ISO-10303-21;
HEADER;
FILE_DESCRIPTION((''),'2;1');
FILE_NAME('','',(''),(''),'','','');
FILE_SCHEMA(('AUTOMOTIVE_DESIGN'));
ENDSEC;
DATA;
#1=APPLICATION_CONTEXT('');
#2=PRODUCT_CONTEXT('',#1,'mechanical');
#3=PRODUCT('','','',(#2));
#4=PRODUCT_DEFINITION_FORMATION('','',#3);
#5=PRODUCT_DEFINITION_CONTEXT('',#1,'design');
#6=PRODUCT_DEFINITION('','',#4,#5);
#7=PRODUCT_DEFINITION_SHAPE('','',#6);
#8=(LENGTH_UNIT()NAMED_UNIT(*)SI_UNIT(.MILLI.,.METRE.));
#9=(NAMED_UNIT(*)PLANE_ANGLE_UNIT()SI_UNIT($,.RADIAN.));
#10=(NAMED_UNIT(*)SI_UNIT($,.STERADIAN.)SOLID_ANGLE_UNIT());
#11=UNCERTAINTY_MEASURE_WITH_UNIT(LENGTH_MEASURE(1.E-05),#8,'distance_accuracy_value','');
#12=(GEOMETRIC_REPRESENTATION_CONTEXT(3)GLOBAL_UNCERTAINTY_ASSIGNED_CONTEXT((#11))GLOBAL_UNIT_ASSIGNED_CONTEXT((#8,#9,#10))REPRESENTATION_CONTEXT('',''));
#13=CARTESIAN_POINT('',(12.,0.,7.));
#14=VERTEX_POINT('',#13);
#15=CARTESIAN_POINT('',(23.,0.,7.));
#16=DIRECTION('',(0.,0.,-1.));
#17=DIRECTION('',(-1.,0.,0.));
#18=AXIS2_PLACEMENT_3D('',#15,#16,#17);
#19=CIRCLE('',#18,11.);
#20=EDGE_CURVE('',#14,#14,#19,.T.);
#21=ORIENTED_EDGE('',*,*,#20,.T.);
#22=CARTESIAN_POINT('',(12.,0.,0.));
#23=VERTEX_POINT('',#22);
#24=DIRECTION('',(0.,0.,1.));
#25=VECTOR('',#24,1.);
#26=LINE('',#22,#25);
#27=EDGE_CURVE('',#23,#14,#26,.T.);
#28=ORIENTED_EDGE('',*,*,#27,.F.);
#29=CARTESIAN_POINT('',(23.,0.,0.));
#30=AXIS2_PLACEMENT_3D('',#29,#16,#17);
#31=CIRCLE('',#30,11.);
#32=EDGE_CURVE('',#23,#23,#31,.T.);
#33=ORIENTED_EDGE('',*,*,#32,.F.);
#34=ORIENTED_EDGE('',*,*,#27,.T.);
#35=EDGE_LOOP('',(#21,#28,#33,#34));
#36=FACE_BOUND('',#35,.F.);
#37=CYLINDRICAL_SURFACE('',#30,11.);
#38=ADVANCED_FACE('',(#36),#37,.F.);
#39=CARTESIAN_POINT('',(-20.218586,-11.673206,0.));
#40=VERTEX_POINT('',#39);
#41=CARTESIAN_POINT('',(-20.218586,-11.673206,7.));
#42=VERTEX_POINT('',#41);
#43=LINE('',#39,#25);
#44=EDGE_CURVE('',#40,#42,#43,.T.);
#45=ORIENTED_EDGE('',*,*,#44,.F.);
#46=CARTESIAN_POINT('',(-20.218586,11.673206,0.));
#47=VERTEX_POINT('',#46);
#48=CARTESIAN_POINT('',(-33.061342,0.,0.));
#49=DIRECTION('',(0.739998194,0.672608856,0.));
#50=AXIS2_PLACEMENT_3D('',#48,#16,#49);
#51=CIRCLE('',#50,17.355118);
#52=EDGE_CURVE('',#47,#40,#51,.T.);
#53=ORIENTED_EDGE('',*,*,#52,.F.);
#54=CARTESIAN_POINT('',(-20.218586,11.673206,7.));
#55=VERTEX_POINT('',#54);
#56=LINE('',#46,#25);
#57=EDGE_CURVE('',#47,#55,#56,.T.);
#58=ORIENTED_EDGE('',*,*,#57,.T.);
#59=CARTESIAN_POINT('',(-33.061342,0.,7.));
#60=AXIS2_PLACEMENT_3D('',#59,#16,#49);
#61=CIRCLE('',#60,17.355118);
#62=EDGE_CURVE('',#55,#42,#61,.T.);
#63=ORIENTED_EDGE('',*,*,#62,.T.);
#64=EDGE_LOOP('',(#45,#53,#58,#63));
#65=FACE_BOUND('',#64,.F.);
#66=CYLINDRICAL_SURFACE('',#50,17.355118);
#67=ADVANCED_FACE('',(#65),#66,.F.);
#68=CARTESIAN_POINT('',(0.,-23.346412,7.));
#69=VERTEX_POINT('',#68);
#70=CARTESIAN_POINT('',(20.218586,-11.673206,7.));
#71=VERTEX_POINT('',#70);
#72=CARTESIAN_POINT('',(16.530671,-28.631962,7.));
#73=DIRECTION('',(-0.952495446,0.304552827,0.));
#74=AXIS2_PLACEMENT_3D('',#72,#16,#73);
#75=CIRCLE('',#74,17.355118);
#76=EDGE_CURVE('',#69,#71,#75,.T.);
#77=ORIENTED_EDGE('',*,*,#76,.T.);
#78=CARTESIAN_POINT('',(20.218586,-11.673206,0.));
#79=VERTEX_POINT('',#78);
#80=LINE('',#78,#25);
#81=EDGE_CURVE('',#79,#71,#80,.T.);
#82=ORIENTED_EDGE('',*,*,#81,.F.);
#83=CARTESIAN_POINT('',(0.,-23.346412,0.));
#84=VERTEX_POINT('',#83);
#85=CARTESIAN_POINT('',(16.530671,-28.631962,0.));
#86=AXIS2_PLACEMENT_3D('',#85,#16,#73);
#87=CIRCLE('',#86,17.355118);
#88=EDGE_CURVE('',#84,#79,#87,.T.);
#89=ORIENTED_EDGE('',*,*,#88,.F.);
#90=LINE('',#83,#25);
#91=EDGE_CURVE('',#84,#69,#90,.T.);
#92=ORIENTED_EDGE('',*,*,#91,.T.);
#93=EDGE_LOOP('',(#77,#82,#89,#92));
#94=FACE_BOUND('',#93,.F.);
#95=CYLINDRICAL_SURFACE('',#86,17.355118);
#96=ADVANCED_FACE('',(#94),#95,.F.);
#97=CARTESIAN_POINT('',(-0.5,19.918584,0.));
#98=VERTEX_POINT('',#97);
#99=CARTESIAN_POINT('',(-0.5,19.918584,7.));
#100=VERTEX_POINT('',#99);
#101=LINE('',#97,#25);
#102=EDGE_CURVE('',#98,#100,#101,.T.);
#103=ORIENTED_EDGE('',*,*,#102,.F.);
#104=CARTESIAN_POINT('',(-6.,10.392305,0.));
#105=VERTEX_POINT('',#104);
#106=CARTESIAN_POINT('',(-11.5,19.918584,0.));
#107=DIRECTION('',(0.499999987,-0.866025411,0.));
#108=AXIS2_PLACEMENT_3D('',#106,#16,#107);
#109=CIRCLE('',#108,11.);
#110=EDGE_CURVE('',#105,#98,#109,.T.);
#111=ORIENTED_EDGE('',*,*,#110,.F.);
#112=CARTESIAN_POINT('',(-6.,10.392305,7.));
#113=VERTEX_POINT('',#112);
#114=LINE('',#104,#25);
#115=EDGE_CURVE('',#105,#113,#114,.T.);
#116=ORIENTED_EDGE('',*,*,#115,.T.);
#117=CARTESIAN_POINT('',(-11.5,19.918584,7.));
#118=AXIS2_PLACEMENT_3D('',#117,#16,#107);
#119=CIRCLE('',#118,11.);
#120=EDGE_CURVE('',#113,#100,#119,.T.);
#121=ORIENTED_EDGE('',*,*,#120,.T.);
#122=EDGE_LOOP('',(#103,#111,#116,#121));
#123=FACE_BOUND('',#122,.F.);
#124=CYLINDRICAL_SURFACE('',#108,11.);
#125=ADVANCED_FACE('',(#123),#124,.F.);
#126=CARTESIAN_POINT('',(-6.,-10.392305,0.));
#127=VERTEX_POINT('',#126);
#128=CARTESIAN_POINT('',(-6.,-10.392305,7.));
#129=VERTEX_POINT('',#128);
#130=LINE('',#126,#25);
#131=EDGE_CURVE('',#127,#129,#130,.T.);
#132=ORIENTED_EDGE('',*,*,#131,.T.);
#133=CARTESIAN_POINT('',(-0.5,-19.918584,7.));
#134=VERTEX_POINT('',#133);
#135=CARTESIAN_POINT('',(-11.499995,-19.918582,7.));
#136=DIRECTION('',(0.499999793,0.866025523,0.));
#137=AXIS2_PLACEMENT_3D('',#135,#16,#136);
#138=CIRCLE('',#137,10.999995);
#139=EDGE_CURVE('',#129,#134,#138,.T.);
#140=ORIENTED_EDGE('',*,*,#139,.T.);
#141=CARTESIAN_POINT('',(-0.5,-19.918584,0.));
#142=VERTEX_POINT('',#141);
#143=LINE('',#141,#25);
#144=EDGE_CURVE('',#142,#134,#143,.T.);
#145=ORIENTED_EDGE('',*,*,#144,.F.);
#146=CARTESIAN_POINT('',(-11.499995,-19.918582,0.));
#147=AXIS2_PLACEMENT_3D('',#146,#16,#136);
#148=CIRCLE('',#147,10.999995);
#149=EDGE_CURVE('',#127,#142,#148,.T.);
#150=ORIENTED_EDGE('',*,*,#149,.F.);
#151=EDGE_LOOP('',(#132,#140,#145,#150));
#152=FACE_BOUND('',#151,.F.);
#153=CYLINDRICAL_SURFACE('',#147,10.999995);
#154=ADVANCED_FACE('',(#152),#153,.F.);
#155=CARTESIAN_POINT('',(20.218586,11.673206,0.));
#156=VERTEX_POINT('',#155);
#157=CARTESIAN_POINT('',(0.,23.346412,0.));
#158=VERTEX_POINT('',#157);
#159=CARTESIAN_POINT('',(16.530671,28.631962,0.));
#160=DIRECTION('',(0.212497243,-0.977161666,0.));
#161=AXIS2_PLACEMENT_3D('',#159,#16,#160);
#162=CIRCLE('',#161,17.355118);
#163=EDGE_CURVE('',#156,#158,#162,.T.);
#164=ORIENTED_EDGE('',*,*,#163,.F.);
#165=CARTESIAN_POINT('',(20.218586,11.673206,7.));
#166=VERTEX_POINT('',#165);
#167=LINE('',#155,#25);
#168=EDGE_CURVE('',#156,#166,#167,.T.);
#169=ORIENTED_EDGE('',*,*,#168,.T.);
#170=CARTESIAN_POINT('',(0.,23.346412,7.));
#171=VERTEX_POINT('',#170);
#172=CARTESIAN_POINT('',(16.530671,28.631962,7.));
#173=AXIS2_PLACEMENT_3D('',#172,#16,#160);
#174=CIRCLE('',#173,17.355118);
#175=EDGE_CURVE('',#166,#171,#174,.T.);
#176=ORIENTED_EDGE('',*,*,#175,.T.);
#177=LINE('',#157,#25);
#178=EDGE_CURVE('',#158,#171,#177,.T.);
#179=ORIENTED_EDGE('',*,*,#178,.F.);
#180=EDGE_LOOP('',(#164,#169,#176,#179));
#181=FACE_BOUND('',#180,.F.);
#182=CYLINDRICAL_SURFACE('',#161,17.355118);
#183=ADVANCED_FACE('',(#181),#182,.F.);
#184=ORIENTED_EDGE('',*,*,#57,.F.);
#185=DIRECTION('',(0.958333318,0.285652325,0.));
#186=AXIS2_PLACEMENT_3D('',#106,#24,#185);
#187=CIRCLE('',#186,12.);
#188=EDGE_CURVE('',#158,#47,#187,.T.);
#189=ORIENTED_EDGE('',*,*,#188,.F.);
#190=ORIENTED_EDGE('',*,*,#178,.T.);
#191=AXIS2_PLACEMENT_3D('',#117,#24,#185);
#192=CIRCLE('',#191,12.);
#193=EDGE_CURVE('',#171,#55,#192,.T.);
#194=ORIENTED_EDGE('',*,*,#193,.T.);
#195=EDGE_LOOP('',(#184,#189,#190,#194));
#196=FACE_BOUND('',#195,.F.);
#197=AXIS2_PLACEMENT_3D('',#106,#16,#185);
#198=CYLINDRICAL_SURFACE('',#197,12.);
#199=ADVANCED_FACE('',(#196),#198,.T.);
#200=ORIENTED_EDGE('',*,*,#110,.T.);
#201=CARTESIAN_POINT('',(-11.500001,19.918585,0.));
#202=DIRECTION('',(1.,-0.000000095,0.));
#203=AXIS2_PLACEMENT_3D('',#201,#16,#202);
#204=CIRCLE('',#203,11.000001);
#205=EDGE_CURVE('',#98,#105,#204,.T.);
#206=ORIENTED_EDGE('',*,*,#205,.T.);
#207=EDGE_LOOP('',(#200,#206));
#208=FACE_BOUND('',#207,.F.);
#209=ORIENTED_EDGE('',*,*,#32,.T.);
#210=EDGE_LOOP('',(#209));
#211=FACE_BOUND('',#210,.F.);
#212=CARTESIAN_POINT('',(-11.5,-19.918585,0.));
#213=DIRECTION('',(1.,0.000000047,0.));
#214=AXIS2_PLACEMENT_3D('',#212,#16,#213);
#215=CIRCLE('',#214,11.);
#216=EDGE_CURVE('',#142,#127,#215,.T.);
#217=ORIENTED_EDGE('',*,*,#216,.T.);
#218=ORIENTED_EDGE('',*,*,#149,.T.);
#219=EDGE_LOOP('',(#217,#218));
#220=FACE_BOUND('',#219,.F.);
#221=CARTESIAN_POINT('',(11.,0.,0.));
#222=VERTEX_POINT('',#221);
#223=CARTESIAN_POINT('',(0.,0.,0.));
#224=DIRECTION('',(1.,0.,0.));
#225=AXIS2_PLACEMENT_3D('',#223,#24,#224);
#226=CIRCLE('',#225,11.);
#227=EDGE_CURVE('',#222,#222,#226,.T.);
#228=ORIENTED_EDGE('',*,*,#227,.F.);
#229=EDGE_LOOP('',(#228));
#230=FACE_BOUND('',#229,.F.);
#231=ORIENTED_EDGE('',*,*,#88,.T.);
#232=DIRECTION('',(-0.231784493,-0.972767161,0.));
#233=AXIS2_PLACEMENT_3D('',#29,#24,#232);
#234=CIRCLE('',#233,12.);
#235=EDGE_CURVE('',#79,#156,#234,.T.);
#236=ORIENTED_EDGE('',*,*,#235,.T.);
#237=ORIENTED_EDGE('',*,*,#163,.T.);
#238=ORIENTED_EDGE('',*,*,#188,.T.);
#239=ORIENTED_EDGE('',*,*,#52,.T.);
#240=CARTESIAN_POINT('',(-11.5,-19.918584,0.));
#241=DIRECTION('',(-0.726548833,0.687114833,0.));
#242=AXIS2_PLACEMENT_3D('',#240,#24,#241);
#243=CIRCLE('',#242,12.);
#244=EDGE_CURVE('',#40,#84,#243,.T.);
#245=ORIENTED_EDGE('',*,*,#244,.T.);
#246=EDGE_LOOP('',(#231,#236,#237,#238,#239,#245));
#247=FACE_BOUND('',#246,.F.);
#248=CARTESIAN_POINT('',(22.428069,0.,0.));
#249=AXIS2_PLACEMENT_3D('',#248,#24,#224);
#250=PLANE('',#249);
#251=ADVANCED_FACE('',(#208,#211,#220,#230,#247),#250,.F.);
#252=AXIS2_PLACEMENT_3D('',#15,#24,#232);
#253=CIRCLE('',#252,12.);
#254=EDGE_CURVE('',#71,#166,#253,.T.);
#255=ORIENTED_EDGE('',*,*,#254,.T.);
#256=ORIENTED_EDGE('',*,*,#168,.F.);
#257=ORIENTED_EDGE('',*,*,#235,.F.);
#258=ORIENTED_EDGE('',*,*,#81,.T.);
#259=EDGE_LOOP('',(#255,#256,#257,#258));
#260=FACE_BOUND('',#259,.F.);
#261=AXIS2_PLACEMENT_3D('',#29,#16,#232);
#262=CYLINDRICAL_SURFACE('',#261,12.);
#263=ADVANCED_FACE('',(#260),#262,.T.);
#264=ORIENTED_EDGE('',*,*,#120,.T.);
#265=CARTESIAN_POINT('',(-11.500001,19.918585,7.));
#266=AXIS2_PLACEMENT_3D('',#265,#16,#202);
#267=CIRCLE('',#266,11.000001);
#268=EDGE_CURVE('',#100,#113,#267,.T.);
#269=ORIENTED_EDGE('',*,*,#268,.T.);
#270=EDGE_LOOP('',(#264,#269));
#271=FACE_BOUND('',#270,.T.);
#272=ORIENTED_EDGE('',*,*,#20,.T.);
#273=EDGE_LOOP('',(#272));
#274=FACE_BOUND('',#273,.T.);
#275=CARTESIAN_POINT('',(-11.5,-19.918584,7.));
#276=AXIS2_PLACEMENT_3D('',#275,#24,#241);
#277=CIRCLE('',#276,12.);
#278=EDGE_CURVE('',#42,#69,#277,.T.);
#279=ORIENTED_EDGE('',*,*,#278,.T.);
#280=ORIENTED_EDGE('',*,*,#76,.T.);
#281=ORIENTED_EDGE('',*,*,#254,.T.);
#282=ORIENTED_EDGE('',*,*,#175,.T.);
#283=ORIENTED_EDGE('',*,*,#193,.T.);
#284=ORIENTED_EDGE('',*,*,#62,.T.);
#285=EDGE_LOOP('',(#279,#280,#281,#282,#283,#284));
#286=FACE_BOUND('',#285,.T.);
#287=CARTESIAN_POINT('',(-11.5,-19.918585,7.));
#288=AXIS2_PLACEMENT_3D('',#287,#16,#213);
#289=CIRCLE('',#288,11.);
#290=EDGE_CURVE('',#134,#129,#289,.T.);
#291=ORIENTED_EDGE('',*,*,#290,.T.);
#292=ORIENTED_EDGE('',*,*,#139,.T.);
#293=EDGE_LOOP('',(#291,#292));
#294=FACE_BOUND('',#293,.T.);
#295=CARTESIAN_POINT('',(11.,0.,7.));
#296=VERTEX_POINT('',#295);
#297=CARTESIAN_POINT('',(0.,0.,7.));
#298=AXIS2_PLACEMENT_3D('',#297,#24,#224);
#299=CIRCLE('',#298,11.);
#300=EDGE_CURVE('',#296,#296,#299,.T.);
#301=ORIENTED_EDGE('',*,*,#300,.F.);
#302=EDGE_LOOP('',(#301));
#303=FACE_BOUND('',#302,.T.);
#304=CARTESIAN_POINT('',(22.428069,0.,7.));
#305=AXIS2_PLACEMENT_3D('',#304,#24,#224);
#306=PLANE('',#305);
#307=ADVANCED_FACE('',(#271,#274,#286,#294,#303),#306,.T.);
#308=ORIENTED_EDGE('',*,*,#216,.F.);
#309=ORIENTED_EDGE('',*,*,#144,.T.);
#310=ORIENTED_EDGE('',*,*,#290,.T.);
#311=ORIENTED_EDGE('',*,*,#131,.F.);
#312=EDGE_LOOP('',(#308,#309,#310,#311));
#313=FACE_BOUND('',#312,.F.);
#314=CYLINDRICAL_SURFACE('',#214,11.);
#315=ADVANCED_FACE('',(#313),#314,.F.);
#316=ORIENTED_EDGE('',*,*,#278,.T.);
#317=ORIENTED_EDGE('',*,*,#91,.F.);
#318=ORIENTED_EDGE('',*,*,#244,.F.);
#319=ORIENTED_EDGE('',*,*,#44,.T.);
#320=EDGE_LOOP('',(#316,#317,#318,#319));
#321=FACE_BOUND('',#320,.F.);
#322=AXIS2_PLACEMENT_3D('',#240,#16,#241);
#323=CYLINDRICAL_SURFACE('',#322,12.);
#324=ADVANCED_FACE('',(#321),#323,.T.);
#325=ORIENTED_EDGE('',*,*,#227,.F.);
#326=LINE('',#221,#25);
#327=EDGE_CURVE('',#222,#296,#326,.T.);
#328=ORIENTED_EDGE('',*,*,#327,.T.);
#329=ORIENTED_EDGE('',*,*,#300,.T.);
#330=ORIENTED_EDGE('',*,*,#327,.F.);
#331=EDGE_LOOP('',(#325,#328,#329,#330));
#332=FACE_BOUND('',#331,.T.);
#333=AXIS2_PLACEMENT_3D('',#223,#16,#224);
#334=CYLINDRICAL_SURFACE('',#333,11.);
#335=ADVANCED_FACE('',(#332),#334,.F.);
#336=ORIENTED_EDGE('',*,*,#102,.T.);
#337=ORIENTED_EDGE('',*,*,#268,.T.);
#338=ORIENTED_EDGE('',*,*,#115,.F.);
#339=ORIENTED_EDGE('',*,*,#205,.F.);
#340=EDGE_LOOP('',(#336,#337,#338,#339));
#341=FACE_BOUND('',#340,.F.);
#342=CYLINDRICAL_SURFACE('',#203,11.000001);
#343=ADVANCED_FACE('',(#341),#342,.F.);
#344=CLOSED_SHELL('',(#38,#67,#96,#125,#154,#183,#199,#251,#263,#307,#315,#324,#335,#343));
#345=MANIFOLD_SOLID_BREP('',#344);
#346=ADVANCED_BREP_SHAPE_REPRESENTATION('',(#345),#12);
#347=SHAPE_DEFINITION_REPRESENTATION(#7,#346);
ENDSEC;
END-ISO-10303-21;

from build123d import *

# Parameters (mm, degrees)
F0_R     = 11
F1_DEPTH = 7


with BuildPart() as f1:
    # F0 (on Top) → F1 (new body)
    with BuildSketch(Plane.XY):
        with BuildLine():
            ThreePointArc((11.5, 3.427827), (11.874342, 1.732051), (12, 0))
            ThreePointArc((12, 0), (11.874342, -1.732051), (11.5, -3.427827))
            ThreePointArc((11.5, -3.427827), (14.754622, -8.718586), (20.218586, -11.673206))
            ThreePointArc((20.218586, -11.673206), (35, 0), (20.218586, 11.673206))
            ThreePointArc((20.218586, 11.673206), (14.754622, 8.718586), (11.5, 3.427827))
        make_face()
        with BuildLine():
            ThreePointArc((34, 0), (23, -11), (12, 0))
            ThreePointArc((12, 0), (23, 11), (34, 0))
        make_face(mode=Mode.SUBTRACT)
        with BuildLine():
            ThreePointArc((-2.781414, 11.673206), (6, 10.392305), (11.5, 3.427827))
            ThreePointArc((11.5, 3.427827), (14.754622, 8.718586), (20.218586, 11.673206))
            ThreePointArc((20.218586, 11.673206), (7.853112, 13.601989), (0, 23.346412))
            ThreePointArc((0, 23.346412), (0.173206, 17.13717), (-2.781414, 11.673206))
        make_face()
        with BuildLine():
            ThreePointArc((20.218586, -11.673206), (14.754622, -8.718586), (11.5, -3.427827))
            ThreePointArc((11.5, -3.427827), (6, -10.392305), (-2.781414, -11.673206))
            ThreePointArc((-2.781414, -11.673206), (0.173206, -17.13717), (0, -23.346412))
            ThreePointArc((0, -23.346412), (7.853112, -13.601989), (20.218586, -11.673206))
        make_face()
        with BuildLine():
            ThreePointArc((-6, 10.392305), (-4.437171, 11.149507), (-2.781414, 11.673206))
            ThreePointArc((-2.781414, 11.673206), (0.173206, 17.13717), (0, 23.346412))
            ThreePointArc((0, 23.346412), (-17.5, 30.310889), (-20.218586, 11.673206))
            ThreePointArc((-20.218586, 11.673206), (-14.927827, 8.418584), (-8.718586, 8.245378))
            ThreePointArc((-8.718586, 8.245378), (-7.437171, 9.417457), (-6, 10.392305))
        make_face()
        with BuildLine():
            ThreePointArc((-0.5, 19.918584), (-1.973721, 14.418584), (-6, 10.392305))
            ThreePointArc((-6, 10.392305), (-21.026279, 25.418584), (-0.5, 19.918584))
        make_face(mode=Mode.SUBTRACT)
        with BuildLine():
            ThreePointArc((0, -23.346412), (0.173206, -17.13717), (-2.781414, -11.673206))
            ThreePointArc((-2.781414, -11.673206), (-4.437171, -11.149507), (-6, -10.392305))
            ThreePointArc((-6, -10.392305), (-7.437171, -9.417457), (-8.718586, -8.245378))
            ThreePointArc((-8.718586, -8.245378), (-14.927827, -8.418584), (-20.218586, -11.673206))
            ThreePointArc((-20.218586, -11.673206), (-17.5, -30.310889), (0, -23.346412))
        make_face()
        with BuildLine():
            ThreePointArc((-0.5, -19.918584), (-21.02628, -25.418584), (-6, -10.392305))
            ThreePointArc((-6, -10.392305), (-1.97372, -14.418584), (-0.5, -19.918584))
        make_face(mode=Mode.SUBTRACT)
        with BuildLine():
            ThreePointArc((-8.718586, -8.245378), (-12, 0), (-8.718586, 8.245378))
            ThreePointArc((-8.718586, 8.245378), (-14.927827, 8.418584), (-20.218586, 11.673206))
            ThreePointArc((-20.218586, 11.673206), (-15.706224, 0), (-20.218586, -11.673206))
            ThreePointArc((-20.218586, -11.673206), (-14.927827, -8.418584), (-8.718586, -8.245378))
        make_face()
        with BuildLine():
            ThreePointArc((11.5, -3.427827), (11.874342, -1.732051), (12, 0))
            ThreePointArc((12, 0), (11.874342, 1.732051), (11.5, 3.427827))
            ThreePointArc((11.5, 3.427827), (6, 10.392305), (-2.781414, 11.673206))
            ThreePointArc((-2.781414, 11.673206), (-4.437171, 11.149507), (-6, 10.392305))
            ThreePointArc((-6, 10.392305), (-7.437171, 9.417457), (-8.718586, 8.245378))
            ThreePointArc((-8.718586, 8.245378), (-12, 0), (-8.718586, -8.245378))
            ThreePointArc((-8.718586, -8.245378), (-7.437171, -9.417457), (-6, -10.392305))
            ThreePointArc((-6, -10.392305), (-4.437171, -11.149507), (-2.781414, -11.673206))
            ThreePointArc((-2.781414, -11.673206), (6, -10.392305), (11.5, -3.427827))
        make_face()
        Circle(F0_R, mode=Mode.SUBTRACT)
    extrude(amount=F1_DEPTH)


solid = f1.part
